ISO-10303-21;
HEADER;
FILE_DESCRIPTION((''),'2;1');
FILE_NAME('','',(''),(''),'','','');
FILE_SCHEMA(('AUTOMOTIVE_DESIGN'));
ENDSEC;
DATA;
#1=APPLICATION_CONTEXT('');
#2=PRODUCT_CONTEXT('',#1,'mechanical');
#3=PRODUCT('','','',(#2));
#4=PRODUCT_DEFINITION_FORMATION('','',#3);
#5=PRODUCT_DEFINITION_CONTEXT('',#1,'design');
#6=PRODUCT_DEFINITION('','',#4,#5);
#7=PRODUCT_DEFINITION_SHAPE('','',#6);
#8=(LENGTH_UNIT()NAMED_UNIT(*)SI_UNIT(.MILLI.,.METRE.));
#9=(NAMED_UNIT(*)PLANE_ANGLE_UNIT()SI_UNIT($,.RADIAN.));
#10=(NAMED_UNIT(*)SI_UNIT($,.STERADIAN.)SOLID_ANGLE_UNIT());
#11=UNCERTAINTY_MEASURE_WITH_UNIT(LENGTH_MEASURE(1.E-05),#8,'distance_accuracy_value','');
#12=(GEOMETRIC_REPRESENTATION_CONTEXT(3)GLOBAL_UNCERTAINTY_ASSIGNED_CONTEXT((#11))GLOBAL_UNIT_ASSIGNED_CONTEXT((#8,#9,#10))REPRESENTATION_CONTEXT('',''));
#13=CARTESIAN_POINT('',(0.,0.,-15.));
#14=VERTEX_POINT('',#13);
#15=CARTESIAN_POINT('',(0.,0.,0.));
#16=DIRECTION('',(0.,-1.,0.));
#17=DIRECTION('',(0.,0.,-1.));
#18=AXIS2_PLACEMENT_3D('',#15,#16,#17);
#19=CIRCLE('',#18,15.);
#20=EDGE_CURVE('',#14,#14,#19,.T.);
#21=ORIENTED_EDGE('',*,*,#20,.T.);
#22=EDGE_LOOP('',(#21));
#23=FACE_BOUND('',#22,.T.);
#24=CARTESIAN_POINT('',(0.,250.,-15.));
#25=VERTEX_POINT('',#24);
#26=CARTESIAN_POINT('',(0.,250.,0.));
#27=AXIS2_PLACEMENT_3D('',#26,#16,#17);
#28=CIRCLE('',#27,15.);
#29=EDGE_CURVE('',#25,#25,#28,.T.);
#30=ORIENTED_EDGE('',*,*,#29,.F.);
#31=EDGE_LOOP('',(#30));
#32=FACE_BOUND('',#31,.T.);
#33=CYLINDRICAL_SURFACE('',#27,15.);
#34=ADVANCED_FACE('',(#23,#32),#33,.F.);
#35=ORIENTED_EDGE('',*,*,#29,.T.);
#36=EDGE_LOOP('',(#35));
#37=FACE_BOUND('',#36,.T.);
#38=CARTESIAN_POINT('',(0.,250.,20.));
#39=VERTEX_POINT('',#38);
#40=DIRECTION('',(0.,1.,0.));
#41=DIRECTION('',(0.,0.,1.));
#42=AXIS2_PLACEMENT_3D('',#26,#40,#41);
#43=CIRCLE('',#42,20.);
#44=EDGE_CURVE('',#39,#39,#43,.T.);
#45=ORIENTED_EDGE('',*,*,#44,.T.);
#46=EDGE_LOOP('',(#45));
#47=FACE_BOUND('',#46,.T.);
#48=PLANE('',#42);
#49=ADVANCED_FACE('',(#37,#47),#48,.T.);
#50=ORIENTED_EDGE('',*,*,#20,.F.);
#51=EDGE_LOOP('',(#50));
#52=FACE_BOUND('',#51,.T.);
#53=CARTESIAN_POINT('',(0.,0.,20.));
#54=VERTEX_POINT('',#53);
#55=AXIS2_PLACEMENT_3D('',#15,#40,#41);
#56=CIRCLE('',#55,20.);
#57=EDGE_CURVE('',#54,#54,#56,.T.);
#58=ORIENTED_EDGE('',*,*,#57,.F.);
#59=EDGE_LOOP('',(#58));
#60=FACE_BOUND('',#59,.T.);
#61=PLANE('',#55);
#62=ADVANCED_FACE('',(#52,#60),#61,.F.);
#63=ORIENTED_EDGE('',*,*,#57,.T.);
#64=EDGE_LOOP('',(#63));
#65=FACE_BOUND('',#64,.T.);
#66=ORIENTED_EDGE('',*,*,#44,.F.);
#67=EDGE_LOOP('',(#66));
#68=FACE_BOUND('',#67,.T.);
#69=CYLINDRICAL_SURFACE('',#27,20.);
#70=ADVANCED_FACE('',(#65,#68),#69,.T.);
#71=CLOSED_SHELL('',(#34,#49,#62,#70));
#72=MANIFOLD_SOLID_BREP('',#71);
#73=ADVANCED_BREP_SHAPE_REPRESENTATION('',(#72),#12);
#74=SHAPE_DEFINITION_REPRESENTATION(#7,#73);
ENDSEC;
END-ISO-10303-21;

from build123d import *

# Parameters (mm, degrees)
SKETCH_2_R          = 20
EXTRUDE_1_DEPTH     = 250
SKETCH_3_R          = 15
CUT_EXTRUDE_1_DEPTH = 250


with BuildPart() as part:
    # 草圖2 → 填料-伸長1 (new body)
    with BuildSketch(Plane(origin=(0, 0, 0), x_dir=(1, 0, 0), z_dir=(0, 1, 0))):
        Circle(SKETCH_2_R)
    extrude(amount=EXTRUDE_1_DEPTH)

    # 草圖3 → 除料-伸長1 (cut)
    with BuildSketch(Plane.XZ):
        Circle(SKETCH_3_R)
    extrude(amount=-CUT_EXTRUDE_1_DEPTH, mode=Mode.SUBTRACT)


solid = part.part
